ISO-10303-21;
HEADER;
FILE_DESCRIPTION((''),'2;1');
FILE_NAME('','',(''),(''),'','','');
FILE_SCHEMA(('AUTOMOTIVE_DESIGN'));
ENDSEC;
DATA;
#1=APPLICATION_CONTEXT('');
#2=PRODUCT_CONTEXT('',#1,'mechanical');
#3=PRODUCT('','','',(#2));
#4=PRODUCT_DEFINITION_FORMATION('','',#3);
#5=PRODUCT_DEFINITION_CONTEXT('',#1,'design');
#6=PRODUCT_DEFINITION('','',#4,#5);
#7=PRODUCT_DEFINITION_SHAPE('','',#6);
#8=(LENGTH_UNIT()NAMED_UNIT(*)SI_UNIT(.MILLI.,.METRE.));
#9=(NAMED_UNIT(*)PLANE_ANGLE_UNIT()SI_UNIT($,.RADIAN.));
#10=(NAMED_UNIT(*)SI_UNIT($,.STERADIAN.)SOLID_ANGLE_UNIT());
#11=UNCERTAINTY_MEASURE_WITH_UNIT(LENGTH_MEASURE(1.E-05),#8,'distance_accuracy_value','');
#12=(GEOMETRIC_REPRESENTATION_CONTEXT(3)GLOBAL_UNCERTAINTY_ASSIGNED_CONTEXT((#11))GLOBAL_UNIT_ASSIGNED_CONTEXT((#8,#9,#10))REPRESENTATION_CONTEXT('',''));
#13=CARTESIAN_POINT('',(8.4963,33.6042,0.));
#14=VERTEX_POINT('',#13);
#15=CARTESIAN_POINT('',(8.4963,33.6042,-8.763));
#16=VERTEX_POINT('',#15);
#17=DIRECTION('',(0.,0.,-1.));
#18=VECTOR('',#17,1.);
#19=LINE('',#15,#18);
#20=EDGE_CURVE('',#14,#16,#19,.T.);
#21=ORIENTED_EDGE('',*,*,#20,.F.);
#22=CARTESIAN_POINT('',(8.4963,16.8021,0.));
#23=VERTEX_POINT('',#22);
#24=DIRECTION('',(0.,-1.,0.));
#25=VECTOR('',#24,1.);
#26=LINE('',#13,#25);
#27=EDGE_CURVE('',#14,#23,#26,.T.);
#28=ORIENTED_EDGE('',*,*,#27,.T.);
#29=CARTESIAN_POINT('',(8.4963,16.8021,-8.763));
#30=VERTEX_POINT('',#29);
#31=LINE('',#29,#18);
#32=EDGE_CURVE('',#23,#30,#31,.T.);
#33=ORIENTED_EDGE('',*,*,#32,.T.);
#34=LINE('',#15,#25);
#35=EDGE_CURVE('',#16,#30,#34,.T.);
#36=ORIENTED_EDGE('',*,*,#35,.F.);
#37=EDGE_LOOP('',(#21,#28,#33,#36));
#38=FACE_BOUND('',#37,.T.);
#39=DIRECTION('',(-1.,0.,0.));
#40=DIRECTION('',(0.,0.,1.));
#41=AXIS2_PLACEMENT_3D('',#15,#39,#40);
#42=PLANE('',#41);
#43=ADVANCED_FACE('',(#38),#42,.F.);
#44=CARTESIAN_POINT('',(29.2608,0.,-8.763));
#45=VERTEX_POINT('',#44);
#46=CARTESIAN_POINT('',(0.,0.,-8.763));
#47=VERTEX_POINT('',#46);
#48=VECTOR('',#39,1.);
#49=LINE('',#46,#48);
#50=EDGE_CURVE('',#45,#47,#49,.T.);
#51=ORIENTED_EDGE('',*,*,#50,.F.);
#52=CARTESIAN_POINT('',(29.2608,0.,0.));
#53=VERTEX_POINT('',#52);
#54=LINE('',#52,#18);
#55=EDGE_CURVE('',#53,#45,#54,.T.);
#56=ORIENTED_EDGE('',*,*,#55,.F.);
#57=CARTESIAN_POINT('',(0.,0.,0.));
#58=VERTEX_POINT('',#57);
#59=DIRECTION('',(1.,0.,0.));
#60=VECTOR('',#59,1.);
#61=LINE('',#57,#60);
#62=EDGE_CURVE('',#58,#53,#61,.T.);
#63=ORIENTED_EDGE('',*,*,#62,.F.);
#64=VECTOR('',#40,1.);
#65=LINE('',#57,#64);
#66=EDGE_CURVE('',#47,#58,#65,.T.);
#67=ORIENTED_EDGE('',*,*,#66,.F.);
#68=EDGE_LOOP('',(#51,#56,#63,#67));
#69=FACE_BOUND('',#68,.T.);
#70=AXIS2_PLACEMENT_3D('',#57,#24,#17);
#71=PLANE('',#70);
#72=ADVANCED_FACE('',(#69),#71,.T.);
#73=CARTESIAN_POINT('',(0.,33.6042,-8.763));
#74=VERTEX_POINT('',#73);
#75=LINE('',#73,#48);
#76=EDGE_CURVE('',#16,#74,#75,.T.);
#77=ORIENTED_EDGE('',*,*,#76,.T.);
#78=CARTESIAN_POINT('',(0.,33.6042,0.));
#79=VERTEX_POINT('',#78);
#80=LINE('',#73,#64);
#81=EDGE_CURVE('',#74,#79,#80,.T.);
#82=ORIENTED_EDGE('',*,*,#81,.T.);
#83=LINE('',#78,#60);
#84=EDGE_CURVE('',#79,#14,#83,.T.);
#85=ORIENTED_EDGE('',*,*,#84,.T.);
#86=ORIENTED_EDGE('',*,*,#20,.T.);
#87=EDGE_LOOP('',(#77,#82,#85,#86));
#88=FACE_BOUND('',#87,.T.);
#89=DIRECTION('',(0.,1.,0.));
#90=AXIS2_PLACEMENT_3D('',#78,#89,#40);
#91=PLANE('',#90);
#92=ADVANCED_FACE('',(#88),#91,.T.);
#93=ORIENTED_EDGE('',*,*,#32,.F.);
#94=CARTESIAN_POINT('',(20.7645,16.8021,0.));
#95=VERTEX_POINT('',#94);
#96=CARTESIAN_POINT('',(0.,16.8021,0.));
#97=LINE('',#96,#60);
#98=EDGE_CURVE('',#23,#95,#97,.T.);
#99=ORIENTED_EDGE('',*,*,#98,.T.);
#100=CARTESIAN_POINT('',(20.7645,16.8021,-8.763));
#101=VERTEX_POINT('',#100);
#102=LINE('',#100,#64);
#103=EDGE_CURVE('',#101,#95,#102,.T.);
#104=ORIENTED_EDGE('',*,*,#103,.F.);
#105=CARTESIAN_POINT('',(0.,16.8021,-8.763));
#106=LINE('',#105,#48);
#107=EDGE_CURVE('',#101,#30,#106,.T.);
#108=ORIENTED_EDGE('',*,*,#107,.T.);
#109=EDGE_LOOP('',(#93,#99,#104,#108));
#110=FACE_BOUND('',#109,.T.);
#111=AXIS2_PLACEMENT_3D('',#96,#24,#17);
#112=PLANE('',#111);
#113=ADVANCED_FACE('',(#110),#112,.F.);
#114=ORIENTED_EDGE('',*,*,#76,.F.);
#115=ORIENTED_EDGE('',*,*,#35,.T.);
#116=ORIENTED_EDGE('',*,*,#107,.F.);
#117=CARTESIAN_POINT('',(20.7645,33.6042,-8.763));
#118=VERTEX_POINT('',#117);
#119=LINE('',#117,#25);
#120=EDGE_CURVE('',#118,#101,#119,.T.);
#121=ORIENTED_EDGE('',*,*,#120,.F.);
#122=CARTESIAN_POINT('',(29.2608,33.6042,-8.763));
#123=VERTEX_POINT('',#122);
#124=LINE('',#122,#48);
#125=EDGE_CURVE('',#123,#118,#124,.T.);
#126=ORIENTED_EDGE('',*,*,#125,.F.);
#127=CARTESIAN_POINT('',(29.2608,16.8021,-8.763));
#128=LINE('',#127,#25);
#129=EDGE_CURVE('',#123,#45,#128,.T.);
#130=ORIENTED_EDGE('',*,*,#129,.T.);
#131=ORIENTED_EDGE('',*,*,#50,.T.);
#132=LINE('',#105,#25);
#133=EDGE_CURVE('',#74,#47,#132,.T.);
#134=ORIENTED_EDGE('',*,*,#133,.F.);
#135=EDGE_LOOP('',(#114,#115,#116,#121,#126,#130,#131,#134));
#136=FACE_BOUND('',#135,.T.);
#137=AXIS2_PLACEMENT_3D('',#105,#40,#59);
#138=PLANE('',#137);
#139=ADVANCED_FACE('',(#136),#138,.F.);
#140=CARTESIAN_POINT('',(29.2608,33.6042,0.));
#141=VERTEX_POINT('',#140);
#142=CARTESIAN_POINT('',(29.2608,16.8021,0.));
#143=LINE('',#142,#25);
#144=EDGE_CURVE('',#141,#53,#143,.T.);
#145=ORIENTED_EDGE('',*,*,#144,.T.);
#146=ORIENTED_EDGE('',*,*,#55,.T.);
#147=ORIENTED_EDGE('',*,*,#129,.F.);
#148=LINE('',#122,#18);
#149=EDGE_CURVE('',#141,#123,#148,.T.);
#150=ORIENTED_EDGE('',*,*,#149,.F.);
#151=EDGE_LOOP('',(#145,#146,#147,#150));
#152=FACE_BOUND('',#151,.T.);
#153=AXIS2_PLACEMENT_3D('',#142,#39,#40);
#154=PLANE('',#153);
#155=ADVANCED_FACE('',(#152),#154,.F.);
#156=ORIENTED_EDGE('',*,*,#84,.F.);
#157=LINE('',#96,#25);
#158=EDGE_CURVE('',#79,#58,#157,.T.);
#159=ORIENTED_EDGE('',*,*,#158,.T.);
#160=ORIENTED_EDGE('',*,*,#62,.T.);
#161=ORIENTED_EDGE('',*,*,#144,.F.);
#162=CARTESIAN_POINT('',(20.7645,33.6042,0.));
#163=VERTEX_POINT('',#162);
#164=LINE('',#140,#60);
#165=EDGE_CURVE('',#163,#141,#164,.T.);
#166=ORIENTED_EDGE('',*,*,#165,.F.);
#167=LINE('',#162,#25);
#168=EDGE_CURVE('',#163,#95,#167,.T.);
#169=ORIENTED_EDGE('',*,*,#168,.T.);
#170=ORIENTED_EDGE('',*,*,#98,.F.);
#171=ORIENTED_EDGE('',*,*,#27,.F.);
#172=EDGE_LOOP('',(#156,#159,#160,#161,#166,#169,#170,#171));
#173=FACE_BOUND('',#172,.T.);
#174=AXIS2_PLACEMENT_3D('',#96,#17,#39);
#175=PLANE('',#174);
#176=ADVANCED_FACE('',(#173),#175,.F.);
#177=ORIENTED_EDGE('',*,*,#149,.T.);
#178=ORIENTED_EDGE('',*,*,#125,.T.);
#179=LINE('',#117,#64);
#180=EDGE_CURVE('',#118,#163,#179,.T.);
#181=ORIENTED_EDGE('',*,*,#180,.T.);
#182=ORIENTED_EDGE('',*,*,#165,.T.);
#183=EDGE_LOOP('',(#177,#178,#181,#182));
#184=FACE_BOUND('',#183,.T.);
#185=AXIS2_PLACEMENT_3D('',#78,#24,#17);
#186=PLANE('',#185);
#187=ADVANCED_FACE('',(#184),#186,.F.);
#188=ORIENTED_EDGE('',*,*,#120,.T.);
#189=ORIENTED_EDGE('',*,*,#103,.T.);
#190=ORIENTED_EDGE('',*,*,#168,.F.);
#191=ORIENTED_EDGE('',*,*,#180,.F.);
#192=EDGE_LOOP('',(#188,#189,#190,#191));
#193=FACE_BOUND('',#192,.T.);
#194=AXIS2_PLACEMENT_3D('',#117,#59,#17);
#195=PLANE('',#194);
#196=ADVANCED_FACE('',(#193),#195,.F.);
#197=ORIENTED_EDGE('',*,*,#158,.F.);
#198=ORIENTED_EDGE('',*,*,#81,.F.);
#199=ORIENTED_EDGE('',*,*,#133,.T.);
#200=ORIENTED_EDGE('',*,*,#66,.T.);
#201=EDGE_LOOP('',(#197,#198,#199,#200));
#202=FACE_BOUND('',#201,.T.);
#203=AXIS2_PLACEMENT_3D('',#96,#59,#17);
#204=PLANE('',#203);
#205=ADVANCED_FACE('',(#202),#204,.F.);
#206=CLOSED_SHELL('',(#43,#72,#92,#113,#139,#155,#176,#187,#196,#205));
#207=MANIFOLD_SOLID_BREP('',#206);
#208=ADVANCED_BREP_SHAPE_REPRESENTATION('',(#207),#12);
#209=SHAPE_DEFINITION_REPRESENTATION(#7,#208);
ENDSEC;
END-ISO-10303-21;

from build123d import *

# Parameters (mm, degrees)
SKETCH1_W           = 29.2608
SKETCH1_H           = 8.763
BOSS_EXTRUDE2_DEPTH = 16.8021
SKETCH2_W           = 8.4963
SKETCH2_H           = 8.763
BOSS_EXTRUDE3_DEPTH = 16.8021


with BuildPart() as part:
    # Sketch1 → Boss-Extrude2 (new body)
    with BuildSketch(Plane(origin=(0, 0, 0), x_dir=(1, 0, 0), z_dir=(0, 1, 0))):
        with Locations((14.6304, 4.3815)):
            Rectangle(SKETCH1_W, SKETCH1_H)
    extrude(amount=BOSS_EXTRUDE2_DEPTH)

    # Sketch2 → Boss-Extrude3 (add)
    with BuildSketch(Plane(origin=(0, 16.8021, 0), x_dir=(1, 0, 0), z_dir=(0, 1, 0))):
        with Locations((4.24815, 4.3815)):
            Rectangle(SKETCH2_W, SKETCH2_H)
        with Locations((25.01265, 4.3815)):
            Rectangle(SKETCH2_W, SKETCH2_H)
    extrude(amount=BOSS_EXTRUDE3_DEPTH)


solid = part.part
